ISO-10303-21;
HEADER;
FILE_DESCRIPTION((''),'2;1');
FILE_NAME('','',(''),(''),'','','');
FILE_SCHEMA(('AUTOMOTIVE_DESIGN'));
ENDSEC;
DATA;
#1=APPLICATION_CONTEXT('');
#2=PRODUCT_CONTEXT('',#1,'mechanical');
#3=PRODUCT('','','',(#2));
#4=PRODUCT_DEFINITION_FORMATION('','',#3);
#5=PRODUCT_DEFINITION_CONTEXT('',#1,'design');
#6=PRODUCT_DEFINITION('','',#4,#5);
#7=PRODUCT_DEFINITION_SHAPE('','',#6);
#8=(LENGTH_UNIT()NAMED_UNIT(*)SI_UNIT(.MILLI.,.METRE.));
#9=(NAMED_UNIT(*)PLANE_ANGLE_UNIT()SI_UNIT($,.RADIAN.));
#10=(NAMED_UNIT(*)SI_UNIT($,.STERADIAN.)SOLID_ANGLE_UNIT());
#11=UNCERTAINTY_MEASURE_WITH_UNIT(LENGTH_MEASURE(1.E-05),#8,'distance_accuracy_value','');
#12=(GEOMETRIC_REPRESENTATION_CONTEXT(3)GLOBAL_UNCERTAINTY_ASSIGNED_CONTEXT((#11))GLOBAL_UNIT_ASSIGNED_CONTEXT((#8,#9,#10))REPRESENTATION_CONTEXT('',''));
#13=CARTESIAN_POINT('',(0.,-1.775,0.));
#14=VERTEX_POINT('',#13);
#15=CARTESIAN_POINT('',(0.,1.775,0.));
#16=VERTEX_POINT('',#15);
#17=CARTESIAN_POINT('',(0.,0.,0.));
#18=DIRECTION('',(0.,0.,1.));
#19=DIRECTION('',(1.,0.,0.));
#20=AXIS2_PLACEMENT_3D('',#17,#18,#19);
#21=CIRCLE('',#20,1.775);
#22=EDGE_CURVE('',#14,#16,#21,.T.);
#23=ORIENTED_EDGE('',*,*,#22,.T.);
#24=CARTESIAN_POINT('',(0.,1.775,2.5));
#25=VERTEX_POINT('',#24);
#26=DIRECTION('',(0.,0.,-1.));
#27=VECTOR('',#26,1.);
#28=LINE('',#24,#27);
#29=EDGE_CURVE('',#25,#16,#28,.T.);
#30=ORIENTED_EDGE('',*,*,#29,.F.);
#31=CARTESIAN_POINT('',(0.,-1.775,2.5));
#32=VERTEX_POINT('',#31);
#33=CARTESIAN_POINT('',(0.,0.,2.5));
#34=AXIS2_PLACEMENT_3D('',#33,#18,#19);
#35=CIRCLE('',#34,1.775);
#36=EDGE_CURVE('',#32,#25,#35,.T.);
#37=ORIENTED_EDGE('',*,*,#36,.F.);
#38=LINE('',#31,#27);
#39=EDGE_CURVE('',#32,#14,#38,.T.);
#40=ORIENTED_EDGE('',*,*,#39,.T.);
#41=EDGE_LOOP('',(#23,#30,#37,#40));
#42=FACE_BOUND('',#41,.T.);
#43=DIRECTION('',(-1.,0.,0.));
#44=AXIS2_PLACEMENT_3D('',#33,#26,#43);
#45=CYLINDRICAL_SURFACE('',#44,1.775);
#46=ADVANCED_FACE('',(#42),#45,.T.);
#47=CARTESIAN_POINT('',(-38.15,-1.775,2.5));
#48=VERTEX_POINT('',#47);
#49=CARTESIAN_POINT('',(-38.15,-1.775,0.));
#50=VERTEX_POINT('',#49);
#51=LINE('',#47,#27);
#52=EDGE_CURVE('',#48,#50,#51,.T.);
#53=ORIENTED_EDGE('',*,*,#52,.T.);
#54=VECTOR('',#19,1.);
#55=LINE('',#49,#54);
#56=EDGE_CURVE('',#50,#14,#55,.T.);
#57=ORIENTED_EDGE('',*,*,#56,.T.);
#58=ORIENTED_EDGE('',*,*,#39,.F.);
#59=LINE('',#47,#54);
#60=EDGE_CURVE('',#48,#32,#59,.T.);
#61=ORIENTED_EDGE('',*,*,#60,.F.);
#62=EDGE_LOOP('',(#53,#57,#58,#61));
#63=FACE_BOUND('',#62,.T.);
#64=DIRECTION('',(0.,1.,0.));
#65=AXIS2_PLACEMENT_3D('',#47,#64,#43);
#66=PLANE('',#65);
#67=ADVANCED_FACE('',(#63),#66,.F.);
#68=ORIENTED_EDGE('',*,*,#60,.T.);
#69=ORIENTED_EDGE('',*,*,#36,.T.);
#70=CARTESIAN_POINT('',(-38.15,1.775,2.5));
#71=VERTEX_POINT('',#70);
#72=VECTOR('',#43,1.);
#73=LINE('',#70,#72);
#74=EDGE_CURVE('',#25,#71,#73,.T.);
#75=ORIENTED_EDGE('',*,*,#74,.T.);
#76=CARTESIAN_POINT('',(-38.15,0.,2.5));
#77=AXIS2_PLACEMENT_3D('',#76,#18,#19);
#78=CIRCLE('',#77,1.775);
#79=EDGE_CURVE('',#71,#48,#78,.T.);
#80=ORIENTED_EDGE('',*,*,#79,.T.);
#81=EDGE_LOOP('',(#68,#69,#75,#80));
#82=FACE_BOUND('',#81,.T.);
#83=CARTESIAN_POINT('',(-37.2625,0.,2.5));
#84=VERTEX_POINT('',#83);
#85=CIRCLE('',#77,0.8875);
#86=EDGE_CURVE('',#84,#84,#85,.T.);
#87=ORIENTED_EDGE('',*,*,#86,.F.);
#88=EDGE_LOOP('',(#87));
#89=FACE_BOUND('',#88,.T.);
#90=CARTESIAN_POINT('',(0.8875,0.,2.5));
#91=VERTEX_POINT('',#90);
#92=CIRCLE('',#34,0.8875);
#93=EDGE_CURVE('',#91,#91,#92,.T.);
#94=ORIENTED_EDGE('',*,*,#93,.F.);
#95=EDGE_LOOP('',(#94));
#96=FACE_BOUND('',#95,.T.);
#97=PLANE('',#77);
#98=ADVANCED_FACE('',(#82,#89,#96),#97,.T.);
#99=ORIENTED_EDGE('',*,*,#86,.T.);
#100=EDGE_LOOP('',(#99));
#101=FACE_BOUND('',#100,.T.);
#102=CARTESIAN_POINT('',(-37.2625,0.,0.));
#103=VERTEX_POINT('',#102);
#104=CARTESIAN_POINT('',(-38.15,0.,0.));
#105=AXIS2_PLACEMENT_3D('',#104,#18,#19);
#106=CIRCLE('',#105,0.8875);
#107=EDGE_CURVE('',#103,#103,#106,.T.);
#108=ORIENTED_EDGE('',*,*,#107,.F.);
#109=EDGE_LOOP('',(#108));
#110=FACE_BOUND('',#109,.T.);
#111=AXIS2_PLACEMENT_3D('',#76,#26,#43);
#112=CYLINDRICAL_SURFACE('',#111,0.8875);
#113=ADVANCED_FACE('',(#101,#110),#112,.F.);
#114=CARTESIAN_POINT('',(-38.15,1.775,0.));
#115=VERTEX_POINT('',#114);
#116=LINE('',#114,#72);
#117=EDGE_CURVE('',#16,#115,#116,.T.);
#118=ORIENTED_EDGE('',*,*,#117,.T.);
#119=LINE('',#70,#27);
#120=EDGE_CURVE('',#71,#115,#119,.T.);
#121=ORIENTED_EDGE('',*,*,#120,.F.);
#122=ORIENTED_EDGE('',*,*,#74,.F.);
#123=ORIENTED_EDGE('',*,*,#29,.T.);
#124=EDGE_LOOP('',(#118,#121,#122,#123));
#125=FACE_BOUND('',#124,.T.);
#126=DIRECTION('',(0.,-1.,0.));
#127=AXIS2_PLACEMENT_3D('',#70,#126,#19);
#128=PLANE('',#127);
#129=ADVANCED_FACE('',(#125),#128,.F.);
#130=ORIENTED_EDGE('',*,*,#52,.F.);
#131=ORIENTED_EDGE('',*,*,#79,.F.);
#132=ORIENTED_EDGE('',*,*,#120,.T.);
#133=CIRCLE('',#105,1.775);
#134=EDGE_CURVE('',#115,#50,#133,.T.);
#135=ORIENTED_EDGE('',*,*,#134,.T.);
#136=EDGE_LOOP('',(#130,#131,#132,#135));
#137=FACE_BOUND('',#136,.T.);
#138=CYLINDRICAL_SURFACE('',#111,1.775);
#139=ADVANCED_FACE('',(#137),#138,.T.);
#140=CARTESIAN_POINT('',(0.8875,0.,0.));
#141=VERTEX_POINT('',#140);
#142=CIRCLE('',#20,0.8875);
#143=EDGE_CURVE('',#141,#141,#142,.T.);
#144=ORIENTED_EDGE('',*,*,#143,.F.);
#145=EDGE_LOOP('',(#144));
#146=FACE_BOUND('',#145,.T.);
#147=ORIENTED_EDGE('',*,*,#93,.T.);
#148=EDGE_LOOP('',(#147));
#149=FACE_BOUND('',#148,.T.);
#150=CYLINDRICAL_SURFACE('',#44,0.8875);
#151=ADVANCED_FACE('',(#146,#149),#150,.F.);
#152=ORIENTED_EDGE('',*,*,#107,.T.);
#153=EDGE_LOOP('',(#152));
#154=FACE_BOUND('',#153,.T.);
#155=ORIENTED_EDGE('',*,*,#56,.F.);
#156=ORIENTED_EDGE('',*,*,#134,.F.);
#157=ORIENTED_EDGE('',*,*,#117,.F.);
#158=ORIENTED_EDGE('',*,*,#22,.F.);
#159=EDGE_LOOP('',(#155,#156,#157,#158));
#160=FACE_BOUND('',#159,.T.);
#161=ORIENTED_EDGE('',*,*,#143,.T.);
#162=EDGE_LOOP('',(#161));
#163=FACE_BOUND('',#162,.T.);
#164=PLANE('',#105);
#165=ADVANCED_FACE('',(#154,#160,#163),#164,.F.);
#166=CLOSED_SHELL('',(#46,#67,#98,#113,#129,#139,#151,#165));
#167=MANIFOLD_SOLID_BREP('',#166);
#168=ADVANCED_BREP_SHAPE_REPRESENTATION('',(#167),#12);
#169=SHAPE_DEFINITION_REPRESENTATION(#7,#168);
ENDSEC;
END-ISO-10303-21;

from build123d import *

# Parameters (mm, degrees)
SKETCH1_R           = 0.8875
BOSS_EXTRUDE1_DEPTH = 2.5


with BuildPart() as part:
    # Sketch1 → Boss-Extrude1 (new body)
    with BuildSketch(Plane.XY):
        with BuildLine():
            Line((-38.15, 1.775), (0, 1.775))
            ThreePointArc((0, 1.775), (1.775, 0), (0, -1.775))
            Line((0, -1.775), (-38.15, -1.775))
            ThreePointArc((-38.15, -1.775), (-39.925, 0), (-38.15, 1.775))
        make_face()
        Circle(SKETCH1_R, mode=Mode.SUBTRACT)
        with Locations((-38.15, 0)):
            Circle(SKETCH1_R, mode=Mode.SUBTRACT)
    extrude(amount=BOSS_EXTRUDE1_DEPTH)


solid = part.part
